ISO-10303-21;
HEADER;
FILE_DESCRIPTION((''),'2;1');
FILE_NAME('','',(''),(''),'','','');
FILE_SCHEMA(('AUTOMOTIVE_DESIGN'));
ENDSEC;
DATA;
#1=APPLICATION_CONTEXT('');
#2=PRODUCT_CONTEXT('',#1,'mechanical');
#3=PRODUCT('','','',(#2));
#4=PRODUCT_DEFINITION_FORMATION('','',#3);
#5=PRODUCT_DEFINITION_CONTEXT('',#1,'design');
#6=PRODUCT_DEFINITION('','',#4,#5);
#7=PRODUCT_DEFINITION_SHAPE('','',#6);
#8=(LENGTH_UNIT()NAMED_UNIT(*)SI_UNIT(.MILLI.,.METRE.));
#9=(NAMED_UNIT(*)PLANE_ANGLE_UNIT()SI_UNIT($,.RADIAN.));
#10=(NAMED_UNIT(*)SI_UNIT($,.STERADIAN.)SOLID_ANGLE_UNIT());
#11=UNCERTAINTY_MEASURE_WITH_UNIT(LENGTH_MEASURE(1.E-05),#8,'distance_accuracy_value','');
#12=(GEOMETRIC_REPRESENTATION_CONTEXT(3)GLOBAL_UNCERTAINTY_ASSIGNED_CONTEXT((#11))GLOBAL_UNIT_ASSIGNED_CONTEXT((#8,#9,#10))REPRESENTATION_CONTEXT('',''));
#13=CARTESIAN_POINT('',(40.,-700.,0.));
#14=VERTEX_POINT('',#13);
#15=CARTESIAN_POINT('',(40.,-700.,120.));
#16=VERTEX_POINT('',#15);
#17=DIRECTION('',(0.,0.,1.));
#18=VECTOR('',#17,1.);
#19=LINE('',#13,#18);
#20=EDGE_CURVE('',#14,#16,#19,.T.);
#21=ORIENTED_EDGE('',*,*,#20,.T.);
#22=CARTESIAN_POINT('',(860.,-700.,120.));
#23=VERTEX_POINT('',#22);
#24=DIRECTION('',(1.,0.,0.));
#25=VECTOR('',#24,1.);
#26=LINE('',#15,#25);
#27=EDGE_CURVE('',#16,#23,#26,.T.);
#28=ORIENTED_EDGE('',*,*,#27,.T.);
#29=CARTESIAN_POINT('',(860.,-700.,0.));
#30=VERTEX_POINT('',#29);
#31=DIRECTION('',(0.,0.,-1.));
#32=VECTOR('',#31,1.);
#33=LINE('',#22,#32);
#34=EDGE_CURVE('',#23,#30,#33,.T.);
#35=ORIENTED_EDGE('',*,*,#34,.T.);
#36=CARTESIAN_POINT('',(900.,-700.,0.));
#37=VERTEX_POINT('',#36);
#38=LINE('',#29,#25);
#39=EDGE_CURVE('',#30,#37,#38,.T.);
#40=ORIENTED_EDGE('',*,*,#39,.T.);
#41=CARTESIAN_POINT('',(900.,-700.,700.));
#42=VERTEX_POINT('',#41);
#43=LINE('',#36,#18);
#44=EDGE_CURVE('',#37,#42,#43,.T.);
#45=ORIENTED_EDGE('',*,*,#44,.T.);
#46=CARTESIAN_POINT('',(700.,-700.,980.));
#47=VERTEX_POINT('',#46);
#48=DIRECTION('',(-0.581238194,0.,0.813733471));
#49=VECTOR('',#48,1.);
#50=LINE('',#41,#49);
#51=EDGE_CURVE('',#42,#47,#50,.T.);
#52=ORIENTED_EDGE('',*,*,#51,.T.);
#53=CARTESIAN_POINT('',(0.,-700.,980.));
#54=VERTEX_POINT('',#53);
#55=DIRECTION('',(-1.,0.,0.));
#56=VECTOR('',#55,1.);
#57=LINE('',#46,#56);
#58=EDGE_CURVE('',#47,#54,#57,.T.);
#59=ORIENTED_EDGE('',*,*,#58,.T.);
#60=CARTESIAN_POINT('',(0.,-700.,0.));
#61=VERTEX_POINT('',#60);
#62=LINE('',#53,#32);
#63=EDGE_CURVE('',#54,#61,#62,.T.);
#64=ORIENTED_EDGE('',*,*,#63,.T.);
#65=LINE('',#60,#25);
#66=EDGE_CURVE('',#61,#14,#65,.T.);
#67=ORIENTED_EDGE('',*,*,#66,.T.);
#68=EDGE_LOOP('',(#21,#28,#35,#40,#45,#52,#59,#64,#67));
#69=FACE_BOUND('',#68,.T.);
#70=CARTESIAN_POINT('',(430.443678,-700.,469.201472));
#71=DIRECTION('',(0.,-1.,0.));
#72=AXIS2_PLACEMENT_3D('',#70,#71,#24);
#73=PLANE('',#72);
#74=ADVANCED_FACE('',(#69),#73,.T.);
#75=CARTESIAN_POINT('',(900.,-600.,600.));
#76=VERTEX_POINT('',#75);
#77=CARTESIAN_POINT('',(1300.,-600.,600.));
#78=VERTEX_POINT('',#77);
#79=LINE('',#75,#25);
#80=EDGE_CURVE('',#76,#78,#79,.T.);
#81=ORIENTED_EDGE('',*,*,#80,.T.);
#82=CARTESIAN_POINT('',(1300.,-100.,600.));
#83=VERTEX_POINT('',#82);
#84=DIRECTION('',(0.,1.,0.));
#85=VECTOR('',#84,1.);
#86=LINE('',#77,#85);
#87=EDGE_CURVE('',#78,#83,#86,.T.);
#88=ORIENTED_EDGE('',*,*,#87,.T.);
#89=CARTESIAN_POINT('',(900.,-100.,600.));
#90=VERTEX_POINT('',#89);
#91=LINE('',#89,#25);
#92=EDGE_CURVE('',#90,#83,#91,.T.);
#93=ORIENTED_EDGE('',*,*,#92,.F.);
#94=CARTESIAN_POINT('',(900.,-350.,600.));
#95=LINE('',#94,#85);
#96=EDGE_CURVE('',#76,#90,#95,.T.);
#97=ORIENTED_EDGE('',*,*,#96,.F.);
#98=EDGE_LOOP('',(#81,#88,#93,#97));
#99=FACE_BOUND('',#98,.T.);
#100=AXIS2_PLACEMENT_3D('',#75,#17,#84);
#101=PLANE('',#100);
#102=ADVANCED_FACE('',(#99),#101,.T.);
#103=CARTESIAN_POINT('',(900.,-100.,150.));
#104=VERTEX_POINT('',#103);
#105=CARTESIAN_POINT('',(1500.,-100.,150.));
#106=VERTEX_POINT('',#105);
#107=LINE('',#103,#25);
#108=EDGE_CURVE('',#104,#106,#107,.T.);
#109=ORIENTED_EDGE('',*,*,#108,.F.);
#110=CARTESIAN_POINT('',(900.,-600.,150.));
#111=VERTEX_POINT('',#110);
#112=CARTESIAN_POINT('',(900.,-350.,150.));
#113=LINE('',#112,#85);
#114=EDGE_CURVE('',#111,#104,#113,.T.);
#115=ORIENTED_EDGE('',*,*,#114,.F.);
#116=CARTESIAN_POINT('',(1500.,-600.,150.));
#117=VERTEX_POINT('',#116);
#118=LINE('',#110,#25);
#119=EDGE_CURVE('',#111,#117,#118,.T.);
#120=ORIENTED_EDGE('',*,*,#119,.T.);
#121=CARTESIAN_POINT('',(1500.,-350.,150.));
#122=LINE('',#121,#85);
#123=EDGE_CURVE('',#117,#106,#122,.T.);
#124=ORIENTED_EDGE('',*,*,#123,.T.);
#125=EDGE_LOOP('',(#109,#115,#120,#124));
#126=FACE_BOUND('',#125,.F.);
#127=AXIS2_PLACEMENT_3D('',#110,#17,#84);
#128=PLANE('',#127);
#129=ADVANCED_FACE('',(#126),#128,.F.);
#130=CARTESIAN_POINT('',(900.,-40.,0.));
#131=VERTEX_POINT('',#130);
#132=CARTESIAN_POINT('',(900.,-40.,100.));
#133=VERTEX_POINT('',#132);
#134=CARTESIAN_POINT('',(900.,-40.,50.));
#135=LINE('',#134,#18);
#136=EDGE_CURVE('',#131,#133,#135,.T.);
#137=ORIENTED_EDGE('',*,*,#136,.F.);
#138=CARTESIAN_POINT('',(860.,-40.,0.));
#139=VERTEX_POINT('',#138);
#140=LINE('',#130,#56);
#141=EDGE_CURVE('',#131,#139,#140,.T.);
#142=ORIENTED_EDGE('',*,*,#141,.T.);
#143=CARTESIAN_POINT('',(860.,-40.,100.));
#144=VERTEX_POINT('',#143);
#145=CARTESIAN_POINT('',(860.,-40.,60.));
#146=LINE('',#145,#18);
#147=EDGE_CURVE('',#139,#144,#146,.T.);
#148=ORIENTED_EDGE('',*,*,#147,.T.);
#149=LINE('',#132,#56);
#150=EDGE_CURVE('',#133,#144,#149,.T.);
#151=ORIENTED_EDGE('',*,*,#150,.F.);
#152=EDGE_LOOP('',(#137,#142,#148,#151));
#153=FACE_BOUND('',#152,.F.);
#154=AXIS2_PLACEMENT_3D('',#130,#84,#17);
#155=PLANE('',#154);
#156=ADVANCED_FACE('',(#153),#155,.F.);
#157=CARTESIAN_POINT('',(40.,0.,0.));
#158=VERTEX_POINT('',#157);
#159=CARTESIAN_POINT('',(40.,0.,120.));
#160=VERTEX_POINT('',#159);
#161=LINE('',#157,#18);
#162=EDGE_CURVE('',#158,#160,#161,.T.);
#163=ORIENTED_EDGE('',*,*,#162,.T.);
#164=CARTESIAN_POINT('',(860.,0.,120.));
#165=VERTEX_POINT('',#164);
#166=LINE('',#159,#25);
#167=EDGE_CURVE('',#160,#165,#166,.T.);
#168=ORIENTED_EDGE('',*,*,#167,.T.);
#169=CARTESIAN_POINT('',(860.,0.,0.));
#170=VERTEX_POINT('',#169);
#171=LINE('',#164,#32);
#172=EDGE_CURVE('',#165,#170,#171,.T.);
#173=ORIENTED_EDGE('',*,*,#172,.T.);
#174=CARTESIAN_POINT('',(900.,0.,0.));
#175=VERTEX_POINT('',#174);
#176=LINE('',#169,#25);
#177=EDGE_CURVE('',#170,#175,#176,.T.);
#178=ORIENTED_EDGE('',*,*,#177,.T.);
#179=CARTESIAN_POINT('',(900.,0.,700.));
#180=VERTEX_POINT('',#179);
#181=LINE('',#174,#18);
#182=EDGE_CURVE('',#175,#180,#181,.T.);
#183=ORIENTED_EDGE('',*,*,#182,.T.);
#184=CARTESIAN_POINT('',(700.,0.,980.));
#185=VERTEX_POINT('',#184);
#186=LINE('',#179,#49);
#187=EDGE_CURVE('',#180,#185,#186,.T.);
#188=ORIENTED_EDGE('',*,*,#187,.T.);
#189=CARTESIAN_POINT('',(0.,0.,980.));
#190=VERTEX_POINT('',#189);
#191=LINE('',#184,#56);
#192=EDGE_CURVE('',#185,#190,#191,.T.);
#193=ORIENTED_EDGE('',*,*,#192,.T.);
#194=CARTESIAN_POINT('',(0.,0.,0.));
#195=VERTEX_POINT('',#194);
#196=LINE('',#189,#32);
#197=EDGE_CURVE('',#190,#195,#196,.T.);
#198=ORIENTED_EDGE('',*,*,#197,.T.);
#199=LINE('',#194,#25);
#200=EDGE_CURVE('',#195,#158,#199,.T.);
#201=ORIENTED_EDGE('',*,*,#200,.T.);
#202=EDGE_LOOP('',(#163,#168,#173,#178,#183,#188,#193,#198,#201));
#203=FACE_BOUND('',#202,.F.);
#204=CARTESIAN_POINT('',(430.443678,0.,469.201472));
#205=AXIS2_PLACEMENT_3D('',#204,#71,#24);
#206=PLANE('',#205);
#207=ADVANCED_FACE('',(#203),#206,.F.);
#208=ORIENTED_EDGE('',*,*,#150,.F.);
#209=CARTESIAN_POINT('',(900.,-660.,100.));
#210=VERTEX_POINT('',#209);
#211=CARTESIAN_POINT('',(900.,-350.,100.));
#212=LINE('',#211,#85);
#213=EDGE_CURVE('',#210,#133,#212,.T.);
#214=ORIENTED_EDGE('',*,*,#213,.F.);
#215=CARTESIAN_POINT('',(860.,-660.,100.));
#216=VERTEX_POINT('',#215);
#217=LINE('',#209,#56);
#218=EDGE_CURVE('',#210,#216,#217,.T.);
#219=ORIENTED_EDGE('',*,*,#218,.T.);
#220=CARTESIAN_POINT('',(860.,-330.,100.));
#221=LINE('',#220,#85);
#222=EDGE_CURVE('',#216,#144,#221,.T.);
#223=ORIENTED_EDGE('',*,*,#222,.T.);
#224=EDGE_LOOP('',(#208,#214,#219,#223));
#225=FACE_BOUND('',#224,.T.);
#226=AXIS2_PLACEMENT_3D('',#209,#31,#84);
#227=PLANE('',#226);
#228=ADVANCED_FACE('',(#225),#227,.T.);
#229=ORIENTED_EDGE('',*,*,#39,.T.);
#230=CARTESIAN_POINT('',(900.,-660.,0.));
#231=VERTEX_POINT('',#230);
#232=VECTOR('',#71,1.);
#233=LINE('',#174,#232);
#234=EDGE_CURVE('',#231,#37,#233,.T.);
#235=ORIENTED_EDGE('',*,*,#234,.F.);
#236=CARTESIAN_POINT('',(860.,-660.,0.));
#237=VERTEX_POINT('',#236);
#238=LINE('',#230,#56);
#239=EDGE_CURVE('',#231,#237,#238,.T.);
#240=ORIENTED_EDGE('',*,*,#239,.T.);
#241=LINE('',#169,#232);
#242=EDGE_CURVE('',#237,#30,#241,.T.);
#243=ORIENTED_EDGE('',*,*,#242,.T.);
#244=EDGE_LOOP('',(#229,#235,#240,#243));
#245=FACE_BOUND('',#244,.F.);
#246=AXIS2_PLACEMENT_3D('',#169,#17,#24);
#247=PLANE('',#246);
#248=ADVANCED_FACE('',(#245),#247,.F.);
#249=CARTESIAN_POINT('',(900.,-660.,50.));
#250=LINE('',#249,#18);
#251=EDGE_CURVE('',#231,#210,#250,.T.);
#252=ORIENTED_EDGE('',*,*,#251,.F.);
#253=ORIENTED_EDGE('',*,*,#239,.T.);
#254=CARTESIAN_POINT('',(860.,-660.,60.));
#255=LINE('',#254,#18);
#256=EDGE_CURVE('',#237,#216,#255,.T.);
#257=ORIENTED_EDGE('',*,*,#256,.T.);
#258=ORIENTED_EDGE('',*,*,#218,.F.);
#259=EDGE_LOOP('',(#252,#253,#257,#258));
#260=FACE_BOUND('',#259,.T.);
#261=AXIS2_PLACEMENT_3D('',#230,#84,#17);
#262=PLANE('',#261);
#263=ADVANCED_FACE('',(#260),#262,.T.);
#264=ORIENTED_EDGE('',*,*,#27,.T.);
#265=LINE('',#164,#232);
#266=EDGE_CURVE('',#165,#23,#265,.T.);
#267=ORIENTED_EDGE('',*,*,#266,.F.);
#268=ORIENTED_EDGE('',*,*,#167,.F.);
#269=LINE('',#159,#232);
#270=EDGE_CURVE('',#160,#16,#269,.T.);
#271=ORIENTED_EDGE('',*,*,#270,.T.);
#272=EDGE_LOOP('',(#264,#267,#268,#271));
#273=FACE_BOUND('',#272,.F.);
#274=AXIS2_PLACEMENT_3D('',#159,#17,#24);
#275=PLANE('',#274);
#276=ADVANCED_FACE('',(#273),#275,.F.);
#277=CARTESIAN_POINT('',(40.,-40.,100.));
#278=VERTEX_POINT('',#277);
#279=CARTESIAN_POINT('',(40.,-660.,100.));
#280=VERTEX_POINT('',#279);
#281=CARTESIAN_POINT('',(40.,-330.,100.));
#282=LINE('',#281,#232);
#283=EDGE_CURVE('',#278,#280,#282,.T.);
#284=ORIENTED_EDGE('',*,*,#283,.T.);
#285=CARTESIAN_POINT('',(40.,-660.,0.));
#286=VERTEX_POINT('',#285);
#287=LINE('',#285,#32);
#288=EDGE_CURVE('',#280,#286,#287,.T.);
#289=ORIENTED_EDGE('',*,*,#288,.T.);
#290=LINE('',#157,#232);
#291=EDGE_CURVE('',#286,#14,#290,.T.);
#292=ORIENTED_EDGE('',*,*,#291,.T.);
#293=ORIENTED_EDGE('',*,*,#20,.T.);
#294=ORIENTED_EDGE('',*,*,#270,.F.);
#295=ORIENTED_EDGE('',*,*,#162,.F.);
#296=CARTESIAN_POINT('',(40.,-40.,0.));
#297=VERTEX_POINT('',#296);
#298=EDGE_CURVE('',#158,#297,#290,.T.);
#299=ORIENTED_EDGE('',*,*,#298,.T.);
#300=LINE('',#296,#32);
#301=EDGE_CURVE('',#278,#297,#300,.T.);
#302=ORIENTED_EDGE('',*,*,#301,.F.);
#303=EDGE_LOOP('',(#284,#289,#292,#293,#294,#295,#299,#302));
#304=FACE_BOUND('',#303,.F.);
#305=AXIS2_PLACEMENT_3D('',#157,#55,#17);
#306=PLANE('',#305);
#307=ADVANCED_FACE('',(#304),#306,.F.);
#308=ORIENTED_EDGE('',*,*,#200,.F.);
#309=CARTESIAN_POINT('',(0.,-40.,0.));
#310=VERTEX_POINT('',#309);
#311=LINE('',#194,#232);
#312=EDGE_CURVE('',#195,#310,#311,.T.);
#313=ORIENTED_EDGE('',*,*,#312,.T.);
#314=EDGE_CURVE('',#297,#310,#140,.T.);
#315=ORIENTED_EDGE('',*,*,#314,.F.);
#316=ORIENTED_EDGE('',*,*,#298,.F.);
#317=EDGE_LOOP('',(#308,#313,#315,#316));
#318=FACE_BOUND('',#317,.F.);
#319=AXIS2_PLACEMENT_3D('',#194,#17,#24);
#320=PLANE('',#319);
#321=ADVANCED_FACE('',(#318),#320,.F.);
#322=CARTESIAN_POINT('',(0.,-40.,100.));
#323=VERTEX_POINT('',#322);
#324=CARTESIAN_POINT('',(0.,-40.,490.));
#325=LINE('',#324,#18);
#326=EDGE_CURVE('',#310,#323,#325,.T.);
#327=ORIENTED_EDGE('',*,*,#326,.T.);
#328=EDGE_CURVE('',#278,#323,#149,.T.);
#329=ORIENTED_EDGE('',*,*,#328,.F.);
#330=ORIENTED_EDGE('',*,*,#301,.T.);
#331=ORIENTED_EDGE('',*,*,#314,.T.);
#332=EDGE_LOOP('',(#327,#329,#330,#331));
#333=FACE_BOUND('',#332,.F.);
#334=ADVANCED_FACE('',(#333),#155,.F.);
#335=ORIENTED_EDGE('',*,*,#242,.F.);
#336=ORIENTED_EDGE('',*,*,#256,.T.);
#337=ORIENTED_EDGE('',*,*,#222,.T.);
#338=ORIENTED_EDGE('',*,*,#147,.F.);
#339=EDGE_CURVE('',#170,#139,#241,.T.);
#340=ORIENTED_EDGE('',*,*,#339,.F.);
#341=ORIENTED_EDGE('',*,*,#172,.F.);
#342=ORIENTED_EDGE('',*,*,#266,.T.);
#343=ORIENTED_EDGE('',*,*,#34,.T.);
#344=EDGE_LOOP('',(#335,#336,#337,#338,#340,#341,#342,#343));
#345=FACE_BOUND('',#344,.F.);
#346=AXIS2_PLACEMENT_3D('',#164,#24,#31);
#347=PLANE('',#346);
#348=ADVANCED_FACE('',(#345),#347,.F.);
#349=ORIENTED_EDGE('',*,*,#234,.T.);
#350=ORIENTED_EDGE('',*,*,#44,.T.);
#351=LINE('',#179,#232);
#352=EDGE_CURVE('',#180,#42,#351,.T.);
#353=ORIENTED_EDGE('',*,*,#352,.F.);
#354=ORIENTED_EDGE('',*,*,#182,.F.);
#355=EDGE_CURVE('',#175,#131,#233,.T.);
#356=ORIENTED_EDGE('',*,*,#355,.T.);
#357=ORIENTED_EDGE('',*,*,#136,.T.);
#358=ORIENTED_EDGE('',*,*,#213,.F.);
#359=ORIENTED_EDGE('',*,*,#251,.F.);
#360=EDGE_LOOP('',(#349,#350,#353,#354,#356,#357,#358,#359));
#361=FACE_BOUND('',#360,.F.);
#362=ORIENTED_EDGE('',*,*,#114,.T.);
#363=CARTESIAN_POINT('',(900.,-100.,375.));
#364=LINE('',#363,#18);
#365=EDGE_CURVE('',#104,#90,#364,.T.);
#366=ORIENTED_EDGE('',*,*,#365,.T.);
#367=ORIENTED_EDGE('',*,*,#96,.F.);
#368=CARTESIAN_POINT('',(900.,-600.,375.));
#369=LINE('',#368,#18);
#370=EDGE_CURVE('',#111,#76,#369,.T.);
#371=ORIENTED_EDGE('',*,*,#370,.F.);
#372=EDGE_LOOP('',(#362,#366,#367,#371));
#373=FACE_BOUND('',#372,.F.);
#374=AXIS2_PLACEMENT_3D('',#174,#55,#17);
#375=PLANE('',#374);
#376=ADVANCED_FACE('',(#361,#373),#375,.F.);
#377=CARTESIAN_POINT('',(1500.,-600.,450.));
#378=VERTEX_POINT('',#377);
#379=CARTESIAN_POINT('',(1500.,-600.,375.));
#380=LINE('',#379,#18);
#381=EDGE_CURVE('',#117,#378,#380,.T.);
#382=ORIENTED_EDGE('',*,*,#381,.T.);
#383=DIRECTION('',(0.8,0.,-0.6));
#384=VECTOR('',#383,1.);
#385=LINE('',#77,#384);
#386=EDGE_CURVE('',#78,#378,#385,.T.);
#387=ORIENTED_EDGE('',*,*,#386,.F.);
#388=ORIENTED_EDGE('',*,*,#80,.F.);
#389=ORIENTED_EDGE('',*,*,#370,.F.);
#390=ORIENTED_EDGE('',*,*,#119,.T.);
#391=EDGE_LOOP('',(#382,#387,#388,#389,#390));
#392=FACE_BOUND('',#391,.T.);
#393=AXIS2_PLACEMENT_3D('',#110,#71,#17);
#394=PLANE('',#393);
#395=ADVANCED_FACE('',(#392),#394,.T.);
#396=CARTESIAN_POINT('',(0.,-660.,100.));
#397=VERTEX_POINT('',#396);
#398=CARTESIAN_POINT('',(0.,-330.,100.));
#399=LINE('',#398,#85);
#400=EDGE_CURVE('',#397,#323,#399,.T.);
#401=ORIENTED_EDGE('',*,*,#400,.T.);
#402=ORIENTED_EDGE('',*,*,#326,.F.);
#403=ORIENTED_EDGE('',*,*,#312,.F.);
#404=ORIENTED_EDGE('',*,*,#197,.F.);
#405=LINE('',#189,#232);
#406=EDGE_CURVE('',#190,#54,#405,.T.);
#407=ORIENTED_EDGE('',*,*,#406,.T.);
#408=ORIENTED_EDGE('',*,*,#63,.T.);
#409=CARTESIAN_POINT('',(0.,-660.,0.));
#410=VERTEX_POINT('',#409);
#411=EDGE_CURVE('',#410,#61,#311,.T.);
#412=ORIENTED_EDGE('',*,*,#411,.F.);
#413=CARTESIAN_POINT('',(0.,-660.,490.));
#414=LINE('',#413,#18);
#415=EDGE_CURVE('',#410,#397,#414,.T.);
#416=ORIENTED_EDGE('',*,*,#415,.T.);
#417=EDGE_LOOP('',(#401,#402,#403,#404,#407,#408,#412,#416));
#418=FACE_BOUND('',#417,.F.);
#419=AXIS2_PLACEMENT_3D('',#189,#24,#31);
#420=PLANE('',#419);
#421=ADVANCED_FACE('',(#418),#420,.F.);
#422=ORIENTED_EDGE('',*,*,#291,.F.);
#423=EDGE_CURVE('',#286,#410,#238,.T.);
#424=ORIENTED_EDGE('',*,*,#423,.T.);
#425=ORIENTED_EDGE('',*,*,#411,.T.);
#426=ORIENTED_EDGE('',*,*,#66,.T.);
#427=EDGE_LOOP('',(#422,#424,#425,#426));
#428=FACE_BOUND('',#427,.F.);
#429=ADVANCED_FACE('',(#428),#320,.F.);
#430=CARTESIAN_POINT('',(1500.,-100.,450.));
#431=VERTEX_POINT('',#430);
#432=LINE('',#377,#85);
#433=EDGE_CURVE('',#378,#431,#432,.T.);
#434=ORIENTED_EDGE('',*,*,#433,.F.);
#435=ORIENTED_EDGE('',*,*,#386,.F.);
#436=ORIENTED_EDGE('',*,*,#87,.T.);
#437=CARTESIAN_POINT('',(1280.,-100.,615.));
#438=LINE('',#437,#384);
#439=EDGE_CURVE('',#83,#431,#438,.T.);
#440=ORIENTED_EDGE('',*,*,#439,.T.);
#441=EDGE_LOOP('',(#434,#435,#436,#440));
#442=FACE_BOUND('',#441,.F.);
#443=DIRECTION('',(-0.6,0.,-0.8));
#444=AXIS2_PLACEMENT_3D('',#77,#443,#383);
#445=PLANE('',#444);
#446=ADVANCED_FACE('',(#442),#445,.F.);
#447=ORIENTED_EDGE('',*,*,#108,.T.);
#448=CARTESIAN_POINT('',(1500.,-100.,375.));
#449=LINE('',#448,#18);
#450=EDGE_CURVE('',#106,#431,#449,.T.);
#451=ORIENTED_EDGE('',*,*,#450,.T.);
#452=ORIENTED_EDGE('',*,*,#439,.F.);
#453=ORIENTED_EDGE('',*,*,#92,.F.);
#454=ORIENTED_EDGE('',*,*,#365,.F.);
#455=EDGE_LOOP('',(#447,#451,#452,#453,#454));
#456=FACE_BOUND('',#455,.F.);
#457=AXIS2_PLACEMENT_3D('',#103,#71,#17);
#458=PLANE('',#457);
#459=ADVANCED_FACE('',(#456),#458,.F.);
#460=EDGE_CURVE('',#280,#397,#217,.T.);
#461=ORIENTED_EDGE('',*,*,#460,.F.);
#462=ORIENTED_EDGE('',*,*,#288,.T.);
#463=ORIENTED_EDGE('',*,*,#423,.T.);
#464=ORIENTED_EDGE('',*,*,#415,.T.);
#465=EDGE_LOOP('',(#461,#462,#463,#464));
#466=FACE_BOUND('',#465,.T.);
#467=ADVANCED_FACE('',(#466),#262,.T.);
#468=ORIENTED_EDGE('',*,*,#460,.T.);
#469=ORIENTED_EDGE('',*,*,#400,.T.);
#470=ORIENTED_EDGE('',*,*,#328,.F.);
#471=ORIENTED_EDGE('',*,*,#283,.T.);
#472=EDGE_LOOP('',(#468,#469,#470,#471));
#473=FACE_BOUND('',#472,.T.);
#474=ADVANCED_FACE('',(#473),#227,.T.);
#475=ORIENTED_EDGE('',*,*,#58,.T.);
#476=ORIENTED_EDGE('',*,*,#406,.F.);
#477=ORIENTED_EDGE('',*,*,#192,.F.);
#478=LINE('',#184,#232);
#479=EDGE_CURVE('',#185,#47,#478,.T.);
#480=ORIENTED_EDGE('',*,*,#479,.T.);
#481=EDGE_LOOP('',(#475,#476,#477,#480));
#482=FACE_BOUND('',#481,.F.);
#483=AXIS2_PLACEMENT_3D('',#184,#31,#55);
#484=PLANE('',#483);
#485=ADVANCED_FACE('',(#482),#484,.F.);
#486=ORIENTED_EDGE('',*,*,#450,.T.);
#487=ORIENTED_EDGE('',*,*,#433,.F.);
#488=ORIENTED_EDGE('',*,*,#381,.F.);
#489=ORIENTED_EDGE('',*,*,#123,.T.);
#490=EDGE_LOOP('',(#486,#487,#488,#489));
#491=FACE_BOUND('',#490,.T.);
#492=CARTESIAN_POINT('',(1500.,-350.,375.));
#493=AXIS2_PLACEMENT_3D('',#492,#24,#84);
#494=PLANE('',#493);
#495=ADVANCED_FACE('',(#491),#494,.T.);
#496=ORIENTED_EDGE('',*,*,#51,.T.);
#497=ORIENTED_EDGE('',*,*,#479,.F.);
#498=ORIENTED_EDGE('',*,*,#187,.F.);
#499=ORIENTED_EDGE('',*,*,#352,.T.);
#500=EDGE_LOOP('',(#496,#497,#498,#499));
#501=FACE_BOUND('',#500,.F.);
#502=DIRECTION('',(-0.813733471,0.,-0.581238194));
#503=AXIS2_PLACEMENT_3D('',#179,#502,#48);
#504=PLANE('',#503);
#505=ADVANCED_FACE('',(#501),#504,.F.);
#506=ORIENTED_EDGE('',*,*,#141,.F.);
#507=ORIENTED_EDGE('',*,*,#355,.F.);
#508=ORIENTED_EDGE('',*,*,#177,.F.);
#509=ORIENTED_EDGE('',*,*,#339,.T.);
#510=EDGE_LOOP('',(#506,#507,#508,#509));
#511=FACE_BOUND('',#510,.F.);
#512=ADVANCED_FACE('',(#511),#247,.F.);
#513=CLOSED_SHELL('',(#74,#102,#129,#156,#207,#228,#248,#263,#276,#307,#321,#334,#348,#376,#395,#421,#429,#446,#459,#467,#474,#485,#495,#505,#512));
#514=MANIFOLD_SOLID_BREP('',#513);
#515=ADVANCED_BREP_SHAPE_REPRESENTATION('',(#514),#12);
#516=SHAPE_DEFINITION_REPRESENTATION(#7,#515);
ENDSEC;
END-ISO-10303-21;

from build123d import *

# Parameters (mm, degrees)
F1_DEPTH = 700
F2_W     = 500
F2_H     = 450
F3_DEPTH = 600
F5_DEPTH = 600.001
F6_W     = 620
F6_H     = 100
F7_DEPTH = 900.001


with BuildPart() as f1:
    # F0 (on Front) → F1 (new body)
    with BuildSketch(Plane.XZ):
        Polygon((0, 980), (0, 0), (40, 0), (40, 120), (860, 120), (860, 0), (900, 0), (900, 700), (700, 980), align=None)
    extrude(amount=F1_DEPTH)

    # F2 (on face) → F3 (join)
    with BuildSketch(Plane.YZ.offset(900)):
        with Locations((-350, 375)):
            Rectangle(F2_W, F2_H)
    extrude(amount=F3_DEPTH)

    # F4 (on face) → F5 (cut, through all)
    with BuildSketch(Plane.XZ.offset(600)):
        Polygon((1500, 450), (1500, 600), (1300, 600), align=None)
    extrude(amount=-F5_DEPTH, mode=Mode.SUBTRACT)

    # F6 (on face) → F7 (cut, through all)
    with BuildSketch(Plane.YZ.offset(900)):
        with Locations((-350, 50)):
            Rectangle(F6_W, F6_H)
    extrude(amount=-F7_DEPTH, mode=Mode.SUBTRACT)


solid = f1.part
